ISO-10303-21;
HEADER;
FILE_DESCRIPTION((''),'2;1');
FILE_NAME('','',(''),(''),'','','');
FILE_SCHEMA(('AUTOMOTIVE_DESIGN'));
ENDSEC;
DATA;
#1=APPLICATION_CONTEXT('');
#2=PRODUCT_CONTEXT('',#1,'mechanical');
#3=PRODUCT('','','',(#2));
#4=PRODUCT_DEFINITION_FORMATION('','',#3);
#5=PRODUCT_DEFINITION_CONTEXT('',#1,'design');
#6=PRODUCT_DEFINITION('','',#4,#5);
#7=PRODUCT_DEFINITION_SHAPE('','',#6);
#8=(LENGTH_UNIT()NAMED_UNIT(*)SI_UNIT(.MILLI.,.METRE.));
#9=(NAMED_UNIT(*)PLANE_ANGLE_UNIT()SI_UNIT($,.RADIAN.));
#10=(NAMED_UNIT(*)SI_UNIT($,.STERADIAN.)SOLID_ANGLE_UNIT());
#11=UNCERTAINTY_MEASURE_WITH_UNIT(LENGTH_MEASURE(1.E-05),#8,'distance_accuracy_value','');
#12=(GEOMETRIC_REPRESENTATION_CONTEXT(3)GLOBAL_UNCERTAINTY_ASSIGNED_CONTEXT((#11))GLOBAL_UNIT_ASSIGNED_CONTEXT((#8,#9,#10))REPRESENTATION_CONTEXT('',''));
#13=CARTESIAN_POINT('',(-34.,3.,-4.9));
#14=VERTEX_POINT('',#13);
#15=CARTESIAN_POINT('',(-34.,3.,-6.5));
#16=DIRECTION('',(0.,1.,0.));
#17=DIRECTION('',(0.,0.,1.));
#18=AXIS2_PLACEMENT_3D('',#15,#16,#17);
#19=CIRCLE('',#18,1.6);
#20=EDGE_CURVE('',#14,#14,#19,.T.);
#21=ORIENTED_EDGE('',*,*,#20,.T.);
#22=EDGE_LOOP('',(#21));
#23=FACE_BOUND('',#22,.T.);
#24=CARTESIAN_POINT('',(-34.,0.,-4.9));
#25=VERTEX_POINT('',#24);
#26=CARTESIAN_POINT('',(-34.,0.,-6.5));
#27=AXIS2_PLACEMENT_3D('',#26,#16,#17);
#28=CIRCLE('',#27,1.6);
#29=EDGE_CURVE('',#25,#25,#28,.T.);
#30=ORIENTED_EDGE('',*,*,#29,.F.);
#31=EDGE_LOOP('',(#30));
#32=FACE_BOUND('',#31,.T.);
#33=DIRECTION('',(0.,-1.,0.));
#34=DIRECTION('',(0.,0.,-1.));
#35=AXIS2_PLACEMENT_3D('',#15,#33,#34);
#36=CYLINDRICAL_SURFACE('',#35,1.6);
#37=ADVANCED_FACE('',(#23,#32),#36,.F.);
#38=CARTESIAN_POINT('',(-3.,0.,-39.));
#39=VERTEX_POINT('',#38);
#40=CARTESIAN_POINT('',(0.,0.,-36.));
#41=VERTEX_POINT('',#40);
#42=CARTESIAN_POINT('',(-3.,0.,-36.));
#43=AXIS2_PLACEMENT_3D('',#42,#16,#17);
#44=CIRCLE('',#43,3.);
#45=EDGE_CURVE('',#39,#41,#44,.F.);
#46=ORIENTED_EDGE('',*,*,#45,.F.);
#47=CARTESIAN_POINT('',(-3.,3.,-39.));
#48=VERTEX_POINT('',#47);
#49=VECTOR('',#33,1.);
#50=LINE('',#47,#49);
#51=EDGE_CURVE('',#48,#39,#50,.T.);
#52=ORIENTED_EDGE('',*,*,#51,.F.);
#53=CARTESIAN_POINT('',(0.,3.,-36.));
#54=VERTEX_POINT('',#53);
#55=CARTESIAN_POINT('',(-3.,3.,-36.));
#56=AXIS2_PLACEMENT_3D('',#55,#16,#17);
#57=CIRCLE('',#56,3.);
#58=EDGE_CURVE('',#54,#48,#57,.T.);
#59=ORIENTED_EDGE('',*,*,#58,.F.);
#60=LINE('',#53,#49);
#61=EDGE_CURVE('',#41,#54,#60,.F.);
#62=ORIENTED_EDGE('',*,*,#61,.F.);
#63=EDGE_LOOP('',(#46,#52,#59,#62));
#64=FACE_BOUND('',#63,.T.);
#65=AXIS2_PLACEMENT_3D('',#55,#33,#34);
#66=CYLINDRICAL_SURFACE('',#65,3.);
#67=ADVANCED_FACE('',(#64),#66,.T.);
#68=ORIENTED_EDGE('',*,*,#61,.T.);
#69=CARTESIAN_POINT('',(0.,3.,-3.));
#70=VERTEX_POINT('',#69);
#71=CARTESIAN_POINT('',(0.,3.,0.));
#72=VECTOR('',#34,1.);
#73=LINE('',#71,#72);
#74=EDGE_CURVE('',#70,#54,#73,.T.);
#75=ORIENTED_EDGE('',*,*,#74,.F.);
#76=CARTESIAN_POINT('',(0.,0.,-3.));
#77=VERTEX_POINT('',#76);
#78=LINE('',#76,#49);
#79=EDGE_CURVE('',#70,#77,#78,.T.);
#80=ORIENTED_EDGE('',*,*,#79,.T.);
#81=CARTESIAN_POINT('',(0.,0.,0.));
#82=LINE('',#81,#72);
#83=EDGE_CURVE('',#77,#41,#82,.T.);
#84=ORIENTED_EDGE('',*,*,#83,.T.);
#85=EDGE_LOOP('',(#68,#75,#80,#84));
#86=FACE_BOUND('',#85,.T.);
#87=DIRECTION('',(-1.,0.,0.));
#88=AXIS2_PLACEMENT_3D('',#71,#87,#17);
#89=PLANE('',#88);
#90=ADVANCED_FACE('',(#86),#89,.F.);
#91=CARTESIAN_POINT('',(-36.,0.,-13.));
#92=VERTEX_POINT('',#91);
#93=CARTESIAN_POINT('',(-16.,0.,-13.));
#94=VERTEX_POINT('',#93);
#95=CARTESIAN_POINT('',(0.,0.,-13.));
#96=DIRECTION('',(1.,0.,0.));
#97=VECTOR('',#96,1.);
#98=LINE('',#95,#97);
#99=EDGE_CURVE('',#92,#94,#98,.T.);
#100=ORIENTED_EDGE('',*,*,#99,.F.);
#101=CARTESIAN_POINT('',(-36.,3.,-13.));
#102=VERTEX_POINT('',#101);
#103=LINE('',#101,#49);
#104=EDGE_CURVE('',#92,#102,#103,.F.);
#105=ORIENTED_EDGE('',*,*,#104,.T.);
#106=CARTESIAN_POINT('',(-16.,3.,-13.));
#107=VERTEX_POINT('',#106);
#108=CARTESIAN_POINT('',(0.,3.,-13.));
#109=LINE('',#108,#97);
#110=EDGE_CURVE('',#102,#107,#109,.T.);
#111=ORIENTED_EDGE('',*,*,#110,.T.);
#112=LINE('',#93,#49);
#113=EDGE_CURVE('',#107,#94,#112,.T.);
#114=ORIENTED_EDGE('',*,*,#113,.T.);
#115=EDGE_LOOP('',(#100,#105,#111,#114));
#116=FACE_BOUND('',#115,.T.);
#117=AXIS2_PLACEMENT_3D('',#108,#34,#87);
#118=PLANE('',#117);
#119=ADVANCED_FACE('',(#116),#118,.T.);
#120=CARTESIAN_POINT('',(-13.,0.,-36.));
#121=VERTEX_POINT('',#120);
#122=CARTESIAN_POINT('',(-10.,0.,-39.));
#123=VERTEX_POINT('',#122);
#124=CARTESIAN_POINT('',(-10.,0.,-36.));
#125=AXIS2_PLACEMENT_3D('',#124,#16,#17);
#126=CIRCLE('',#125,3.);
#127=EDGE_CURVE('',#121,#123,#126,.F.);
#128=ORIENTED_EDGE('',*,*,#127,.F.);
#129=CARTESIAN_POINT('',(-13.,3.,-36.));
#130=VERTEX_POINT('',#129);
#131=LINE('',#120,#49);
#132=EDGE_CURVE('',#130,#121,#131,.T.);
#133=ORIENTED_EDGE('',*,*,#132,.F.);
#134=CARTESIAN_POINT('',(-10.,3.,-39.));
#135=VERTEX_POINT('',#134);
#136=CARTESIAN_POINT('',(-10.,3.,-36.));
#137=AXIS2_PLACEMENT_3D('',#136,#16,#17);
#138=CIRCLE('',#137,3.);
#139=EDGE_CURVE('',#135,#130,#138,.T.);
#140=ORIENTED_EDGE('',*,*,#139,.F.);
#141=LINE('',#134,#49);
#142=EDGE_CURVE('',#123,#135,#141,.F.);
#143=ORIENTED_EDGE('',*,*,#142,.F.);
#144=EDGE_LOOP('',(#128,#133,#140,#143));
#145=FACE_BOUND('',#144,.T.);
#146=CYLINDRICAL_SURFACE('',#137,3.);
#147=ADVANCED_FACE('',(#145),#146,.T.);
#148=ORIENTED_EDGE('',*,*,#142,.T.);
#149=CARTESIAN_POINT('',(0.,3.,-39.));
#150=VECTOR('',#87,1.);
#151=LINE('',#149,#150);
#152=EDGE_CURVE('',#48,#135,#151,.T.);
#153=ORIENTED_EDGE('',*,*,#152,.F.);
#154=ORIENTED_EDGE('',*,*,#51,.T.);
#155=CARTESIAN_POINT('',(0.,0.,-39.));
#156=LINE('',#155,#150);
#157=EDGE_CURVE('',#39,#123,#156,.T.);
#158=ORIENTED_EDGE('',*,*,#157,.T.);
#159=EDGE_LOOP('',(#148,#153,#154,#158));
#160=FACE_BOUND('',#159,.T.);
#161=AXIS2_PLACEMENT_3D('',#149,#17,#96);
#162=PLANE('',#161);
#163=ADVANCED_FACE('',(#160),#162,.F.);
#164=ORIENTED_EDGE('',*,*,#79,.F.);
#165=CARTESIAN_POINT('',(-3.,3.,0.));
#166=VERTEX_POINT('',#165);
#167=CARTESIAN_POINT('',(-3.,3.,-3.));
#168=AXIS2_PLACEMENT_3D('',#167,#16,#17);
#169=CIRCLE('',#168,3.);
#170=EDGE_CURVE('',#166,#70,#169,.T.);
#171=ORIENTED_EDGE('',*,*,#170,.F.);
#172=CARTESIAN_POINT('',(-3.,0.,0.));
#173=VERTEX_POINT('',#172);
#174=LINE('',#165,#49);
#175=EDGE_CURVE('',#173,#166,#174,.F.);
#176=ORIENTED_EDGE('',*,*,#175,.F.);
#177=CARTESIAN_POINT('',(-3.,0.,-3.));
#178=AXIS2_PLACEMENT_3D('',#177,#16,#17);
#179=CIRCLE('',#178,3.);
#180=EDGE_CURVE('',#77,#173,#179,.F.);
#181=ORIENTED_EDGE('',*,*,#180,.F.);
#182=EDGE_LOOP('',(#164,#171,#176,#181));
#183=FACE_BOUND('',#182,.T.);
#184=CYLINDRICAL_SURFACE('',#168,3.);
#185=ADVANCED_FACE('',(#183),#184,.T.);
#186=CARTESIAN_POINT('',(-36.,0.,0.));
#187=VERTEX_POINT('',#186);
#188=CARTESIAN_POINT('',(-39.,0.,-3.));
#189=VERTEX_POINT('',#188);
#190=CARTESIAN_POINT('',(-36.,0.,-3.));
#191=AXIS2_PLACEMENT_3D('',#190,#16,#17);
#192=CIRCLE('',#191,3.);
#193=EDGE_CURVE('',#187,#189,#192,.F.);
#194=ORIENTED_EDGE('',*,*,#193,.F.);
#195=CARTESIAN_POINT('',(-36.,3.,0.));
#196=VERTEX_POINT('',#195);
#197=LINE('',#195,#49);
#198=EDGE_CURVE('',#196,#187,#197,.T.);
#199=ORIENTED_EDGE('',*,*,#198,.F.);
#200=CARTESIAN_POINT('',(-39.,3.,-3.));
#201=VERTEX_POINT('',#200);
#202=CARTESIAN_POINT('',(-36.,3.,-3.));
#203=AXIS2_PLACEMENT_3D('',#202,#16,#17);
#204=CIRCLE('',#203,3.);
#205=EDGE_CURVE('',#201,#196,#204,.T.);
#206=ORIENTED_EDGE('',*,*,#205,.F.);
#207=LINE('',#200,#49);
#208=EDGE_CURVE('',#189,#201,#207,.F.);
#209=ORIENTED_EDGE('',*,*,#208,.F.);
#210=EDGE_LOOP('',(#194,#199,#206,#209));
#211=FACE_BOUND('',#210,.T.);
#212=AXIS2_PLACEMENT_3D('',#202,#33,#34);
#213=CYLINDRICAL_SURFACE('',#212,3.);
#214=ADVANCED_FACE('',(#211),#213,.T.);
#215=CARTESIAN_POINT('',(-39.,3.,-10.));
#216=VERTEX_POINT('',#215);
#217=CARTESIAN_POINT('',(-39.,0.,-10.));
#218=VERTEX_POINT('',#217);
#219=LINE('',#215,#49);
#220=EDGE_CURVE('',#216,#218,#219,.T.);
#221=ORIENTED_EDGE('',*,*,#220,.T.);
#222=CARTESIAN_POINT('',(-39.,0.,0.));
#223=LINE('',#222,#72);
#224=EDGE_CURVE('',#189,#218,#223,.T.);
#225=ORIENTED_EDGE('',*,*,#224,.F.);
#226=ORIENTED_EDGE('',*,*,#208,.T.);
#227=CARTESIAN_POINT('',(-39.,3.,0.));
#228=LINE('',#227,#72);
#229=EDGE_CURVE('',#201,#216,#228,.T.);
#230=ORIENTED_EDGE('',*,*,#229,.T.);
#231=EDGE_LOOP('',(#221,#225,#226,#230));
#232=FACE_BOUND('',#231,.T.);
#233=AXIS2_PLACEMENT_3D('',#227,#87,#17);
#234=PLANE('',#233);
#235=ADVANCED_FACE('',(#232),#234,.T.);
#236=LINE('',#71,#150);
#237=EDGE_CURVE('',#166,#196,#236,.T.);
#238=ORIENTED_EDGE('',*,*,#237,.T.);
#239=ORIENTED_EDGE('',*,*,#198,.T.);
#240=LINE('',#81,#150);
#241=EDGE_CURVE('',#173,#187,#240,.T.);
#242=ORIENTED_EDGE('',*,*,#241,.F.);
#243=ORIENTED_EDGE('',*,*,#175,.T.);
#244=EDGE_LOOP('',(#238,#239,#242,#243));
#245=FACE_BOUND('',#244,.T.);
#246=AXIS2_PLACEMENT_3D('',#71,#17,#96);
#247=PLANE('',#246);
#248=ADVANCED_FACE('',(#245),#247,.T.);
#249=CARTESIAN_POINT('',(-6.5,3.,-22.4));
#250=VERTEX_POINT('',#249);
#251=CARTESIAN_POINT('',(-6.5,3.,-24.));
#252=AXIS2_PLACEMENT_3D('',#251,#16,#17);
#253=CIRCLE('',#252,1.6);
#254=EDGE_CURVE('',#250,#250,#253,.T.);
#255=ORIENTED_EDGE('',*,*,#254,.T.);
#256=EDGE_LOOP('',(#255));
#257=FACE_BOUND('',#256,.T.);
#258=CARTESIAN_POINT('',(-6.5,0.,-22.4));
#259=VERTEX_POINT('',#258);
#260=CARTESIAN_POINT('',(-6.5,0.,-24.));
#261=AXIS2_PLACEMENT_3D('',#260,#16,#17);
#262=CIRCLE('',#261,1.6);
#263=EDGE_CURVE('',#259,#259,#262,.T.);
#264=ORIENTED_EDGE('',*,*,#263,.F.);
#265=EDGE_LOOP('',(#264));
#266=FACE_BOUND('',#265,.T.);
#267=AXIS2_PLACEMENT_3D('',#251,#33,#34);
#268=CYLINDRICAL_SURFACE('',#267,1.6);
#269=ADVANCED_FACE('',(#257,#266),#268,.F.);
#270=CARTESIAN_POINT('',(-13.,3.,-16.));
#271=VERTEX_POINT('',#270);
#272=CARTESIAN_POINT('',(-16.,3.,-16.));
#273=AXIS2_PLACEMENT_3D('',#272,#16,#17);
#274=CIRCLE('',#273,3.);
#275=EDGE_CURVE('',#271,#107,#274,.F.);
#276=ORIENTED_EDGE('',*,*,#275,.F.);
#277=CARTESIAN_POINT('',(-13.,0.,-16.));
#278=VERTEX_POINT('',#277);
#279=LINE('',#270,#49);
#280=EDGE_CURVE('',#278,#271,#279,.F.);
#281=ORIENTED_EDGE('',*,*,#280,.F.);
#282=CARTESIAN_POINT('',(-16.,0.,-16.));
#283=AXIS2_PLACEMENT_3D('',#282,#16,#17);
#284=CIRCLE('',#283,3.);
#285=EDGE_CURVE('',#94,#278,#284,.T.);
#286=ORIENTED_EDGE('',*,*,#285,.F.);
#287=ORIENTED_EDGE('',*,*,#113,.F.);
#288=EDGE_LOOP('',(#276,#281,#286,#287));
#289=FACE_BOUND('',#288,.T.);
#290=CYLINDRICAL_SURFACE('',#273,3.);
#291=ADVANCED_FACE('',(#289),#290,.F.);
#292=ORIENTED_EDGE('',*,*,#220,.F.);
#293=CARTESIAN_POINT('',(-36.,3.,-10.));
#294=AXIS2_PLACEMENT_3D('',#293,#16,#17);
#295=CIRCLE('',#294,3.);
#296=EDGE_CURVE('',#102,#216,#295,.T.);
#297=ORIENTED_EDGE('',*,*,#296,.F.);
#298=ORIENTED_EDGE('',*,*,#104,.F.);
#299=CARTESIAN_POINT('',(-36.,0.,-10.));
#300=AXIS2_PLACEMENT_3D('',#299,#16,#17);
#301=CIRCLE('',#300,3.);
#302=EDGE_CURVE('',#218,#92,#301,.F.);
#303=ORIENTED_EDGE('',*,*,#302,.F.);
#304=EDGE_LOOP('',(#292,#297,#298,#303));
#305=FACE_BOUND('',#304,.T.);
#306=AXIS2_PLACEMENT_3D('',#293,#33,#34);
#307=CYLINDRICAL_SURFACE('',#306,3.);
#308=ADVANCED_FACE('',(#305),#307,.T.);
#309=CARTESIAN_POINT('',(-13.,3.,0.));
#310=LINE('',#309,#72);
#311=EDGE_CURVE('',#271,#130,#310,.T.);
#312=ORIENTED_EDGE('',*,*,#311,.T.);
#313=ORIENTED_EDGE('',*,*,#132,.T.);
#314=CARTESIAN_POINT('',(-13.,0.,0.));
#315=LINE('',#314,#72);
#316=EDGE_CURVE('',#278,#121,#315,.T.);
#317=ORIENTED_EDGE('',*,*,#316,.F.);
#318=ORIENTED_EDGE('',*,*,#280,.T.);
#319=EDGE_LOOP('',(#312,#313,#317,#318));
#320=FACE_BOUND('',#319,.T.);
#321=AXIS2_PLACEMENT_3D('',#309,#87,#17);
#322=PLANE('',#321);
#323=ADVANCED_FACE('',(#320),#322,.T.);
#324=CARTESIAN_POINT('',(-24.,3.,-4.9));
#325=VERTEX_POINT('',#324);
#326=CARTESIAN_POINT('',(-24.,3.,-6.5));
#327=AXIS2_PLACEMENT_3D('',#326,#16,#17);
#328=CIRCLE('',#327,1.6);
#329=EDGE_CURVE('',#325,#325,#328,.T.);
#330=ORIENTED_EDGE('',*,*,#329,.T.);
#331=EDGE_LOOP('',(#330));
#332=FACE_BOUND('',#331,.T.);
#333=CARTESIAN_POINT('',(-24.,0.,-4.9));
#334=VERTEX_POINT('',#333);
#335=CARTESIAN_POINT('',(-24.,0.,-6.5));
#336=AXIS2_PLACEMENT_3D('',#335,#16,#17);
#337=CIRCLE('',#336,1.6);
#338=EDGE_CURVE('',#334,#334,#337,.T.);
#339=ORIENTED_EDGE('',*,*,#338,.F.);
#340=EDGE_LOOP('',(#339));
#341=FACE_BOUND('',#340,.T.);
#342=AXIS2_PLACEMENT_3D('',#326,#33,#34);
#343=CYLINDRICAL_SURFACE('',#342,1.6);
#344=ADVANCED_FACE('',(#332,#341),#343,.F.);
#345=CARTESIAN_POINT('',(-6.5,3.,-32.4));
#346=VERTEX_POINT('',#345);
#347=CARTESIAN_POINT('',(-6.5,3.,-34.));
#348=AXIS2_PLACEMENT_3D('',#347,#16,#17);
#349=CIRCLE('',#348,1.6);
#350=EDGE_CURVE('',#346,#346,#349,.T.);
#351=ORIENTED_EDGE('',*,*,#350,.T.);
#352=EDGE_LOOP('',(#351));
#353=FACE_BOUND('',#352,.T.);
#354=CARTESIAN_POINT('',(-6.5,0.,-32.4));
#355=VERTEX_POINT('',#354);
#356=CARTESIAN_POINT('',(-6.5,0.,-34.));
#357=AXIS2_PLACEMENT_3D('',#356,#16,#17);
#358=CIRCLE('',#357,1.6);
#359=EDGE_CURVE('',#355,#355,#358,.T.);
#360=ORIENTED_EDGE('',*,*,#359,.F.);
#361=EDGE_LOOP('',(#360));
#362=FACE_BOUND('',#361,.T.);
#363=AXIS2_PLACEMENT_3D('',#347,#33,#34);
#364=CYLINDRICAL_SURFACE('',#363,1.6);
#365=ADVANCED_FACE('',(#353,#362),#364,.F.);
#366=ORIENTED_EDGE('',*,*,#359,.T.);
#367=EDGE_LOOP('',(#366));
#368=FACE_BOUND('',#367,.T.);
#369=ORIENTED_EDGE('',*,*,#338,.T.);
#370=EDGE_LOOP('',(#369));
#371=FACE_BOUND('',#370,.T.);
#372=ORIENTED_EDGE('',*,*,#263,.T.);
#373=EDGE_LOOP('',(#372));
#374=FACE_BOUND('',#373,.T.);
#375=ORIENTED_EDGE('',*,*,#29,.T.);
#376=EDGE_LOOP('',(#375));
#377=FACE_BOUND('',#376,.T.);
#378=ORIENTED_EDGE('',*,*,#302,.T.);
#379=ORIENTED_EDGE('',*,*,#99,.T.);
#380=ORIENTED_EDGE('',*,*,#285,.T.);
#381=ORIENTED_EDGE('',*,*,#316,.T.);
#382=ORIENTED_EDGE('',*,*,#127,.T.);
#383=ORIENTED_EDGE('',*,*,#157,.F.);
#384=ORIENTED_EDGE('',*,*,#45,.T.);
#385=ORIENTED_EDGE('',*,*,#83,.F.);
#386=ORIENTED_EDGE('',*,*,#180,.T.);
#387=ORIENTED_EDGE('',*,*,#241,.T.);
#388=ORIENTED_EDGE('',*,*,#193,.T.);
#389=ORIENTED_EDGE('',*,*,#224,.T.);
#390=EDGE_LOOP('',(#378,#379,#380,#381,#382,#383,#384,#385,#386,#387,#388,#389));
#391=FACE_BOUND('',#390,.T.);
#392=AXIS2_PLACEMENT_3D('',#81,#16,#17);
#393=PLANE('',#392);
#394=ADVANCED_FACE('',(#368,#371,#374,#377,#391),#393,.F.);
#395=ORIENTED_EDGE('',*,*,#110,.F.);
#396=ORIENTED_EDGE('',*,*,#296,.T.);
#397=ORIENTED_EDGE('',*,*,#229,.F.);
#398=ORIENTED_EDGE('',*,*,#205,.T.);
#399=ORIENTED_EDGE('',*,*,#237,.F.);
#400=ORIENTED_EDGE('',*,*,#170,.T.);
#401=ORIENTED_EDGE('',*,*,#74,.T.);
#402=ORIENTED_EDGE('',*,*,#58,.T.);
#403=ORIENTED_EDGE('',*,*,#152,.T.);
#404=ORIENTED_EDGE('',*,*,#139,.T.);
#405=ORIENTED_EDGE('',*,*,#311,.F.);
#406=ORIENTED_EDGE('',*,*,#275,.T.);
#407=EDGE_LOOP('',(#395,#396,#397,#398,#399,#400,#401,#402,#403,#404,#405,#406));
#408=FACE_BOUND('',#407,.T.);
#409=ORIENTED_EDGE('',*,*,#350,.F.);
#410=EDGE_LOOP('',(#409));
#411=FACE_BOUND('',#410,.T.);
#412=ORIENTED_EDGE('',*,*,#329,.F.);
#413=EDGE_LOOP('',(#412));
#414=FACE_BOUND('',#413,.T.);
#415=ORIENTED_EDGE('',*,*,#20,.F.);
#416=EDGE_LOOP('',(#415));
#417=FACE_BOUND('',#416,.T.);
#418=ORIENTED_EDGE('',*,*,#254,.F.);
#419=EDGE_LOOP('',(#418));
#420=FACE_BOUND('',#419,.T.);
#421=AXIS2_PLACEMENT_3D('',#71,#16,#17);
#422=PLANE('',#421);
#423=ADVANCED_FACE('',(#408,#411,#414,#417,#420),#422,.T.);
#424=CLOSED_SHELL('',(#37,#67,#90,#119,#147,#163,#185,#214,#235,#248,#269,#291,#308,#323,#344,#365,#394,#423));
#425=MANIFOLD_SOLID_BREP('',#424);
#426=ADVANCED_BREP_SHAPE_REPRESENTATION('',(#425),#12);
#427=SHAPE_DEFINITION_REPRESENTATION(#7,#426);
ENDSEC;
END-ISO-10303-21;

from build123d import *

# Parameters (mm, degrees)
SKETCH_1_R      = 1.6
EXTRUDE_1_DEPTH = 3
FILLET_1_R      = 3


with BuildPart() as part:
    # 草图1 → 凸台-拉伸1 (new body)
    with BuildSketch(Plane(origin=(0, 0, 0), x_dir=(1, 0, 0), z_dir=(0, 1, 0))):
        Polygon((-13, 0), (0, 0), (0, 13), (0, 39), (-13, 39), (-13, 13), (-39, 13), (-39, 0), align=None)
        with Locations(Location((-34, 6.5, 0), (0, 0, 270))):
            Circle(SKETCH_1_R, mode=Mode.SUBTRACT)
        with Locations(Location((-24, 6.5, 0), (0, 0, 270))):
            Circle(SKETCH_1_R, mode=Mode.SUBTRACT)
        with Locations(Location((-6.5, 24, 0), (0, 0, 270))):
            Circle(SKETCH_1_R, mode=Mode.SUBTRACT)
        with Locations(Location((-6.5, 34, 0), (0, 0, 270))):
            Circle(SKETCH_1_R, mode=Mode.SUBTRACT)
    extrude(amount=EXTRUDE_1_DEPTH)

    # 圆角1
    fillet_1_edges = [part.edges().sort_by_distance(p)[0] for p in [
        (-13, 1.5, -39),
        (0, 1.5, -39),
        (0, 1.5, 0),
        (-39, 1.5, 0),
        (-39, 1.5, -13),
        (-13, 1.5, -13),
    ]]
    fillet(fillet_1_edges, radius=FILLET_1_R)


solid = part.part
